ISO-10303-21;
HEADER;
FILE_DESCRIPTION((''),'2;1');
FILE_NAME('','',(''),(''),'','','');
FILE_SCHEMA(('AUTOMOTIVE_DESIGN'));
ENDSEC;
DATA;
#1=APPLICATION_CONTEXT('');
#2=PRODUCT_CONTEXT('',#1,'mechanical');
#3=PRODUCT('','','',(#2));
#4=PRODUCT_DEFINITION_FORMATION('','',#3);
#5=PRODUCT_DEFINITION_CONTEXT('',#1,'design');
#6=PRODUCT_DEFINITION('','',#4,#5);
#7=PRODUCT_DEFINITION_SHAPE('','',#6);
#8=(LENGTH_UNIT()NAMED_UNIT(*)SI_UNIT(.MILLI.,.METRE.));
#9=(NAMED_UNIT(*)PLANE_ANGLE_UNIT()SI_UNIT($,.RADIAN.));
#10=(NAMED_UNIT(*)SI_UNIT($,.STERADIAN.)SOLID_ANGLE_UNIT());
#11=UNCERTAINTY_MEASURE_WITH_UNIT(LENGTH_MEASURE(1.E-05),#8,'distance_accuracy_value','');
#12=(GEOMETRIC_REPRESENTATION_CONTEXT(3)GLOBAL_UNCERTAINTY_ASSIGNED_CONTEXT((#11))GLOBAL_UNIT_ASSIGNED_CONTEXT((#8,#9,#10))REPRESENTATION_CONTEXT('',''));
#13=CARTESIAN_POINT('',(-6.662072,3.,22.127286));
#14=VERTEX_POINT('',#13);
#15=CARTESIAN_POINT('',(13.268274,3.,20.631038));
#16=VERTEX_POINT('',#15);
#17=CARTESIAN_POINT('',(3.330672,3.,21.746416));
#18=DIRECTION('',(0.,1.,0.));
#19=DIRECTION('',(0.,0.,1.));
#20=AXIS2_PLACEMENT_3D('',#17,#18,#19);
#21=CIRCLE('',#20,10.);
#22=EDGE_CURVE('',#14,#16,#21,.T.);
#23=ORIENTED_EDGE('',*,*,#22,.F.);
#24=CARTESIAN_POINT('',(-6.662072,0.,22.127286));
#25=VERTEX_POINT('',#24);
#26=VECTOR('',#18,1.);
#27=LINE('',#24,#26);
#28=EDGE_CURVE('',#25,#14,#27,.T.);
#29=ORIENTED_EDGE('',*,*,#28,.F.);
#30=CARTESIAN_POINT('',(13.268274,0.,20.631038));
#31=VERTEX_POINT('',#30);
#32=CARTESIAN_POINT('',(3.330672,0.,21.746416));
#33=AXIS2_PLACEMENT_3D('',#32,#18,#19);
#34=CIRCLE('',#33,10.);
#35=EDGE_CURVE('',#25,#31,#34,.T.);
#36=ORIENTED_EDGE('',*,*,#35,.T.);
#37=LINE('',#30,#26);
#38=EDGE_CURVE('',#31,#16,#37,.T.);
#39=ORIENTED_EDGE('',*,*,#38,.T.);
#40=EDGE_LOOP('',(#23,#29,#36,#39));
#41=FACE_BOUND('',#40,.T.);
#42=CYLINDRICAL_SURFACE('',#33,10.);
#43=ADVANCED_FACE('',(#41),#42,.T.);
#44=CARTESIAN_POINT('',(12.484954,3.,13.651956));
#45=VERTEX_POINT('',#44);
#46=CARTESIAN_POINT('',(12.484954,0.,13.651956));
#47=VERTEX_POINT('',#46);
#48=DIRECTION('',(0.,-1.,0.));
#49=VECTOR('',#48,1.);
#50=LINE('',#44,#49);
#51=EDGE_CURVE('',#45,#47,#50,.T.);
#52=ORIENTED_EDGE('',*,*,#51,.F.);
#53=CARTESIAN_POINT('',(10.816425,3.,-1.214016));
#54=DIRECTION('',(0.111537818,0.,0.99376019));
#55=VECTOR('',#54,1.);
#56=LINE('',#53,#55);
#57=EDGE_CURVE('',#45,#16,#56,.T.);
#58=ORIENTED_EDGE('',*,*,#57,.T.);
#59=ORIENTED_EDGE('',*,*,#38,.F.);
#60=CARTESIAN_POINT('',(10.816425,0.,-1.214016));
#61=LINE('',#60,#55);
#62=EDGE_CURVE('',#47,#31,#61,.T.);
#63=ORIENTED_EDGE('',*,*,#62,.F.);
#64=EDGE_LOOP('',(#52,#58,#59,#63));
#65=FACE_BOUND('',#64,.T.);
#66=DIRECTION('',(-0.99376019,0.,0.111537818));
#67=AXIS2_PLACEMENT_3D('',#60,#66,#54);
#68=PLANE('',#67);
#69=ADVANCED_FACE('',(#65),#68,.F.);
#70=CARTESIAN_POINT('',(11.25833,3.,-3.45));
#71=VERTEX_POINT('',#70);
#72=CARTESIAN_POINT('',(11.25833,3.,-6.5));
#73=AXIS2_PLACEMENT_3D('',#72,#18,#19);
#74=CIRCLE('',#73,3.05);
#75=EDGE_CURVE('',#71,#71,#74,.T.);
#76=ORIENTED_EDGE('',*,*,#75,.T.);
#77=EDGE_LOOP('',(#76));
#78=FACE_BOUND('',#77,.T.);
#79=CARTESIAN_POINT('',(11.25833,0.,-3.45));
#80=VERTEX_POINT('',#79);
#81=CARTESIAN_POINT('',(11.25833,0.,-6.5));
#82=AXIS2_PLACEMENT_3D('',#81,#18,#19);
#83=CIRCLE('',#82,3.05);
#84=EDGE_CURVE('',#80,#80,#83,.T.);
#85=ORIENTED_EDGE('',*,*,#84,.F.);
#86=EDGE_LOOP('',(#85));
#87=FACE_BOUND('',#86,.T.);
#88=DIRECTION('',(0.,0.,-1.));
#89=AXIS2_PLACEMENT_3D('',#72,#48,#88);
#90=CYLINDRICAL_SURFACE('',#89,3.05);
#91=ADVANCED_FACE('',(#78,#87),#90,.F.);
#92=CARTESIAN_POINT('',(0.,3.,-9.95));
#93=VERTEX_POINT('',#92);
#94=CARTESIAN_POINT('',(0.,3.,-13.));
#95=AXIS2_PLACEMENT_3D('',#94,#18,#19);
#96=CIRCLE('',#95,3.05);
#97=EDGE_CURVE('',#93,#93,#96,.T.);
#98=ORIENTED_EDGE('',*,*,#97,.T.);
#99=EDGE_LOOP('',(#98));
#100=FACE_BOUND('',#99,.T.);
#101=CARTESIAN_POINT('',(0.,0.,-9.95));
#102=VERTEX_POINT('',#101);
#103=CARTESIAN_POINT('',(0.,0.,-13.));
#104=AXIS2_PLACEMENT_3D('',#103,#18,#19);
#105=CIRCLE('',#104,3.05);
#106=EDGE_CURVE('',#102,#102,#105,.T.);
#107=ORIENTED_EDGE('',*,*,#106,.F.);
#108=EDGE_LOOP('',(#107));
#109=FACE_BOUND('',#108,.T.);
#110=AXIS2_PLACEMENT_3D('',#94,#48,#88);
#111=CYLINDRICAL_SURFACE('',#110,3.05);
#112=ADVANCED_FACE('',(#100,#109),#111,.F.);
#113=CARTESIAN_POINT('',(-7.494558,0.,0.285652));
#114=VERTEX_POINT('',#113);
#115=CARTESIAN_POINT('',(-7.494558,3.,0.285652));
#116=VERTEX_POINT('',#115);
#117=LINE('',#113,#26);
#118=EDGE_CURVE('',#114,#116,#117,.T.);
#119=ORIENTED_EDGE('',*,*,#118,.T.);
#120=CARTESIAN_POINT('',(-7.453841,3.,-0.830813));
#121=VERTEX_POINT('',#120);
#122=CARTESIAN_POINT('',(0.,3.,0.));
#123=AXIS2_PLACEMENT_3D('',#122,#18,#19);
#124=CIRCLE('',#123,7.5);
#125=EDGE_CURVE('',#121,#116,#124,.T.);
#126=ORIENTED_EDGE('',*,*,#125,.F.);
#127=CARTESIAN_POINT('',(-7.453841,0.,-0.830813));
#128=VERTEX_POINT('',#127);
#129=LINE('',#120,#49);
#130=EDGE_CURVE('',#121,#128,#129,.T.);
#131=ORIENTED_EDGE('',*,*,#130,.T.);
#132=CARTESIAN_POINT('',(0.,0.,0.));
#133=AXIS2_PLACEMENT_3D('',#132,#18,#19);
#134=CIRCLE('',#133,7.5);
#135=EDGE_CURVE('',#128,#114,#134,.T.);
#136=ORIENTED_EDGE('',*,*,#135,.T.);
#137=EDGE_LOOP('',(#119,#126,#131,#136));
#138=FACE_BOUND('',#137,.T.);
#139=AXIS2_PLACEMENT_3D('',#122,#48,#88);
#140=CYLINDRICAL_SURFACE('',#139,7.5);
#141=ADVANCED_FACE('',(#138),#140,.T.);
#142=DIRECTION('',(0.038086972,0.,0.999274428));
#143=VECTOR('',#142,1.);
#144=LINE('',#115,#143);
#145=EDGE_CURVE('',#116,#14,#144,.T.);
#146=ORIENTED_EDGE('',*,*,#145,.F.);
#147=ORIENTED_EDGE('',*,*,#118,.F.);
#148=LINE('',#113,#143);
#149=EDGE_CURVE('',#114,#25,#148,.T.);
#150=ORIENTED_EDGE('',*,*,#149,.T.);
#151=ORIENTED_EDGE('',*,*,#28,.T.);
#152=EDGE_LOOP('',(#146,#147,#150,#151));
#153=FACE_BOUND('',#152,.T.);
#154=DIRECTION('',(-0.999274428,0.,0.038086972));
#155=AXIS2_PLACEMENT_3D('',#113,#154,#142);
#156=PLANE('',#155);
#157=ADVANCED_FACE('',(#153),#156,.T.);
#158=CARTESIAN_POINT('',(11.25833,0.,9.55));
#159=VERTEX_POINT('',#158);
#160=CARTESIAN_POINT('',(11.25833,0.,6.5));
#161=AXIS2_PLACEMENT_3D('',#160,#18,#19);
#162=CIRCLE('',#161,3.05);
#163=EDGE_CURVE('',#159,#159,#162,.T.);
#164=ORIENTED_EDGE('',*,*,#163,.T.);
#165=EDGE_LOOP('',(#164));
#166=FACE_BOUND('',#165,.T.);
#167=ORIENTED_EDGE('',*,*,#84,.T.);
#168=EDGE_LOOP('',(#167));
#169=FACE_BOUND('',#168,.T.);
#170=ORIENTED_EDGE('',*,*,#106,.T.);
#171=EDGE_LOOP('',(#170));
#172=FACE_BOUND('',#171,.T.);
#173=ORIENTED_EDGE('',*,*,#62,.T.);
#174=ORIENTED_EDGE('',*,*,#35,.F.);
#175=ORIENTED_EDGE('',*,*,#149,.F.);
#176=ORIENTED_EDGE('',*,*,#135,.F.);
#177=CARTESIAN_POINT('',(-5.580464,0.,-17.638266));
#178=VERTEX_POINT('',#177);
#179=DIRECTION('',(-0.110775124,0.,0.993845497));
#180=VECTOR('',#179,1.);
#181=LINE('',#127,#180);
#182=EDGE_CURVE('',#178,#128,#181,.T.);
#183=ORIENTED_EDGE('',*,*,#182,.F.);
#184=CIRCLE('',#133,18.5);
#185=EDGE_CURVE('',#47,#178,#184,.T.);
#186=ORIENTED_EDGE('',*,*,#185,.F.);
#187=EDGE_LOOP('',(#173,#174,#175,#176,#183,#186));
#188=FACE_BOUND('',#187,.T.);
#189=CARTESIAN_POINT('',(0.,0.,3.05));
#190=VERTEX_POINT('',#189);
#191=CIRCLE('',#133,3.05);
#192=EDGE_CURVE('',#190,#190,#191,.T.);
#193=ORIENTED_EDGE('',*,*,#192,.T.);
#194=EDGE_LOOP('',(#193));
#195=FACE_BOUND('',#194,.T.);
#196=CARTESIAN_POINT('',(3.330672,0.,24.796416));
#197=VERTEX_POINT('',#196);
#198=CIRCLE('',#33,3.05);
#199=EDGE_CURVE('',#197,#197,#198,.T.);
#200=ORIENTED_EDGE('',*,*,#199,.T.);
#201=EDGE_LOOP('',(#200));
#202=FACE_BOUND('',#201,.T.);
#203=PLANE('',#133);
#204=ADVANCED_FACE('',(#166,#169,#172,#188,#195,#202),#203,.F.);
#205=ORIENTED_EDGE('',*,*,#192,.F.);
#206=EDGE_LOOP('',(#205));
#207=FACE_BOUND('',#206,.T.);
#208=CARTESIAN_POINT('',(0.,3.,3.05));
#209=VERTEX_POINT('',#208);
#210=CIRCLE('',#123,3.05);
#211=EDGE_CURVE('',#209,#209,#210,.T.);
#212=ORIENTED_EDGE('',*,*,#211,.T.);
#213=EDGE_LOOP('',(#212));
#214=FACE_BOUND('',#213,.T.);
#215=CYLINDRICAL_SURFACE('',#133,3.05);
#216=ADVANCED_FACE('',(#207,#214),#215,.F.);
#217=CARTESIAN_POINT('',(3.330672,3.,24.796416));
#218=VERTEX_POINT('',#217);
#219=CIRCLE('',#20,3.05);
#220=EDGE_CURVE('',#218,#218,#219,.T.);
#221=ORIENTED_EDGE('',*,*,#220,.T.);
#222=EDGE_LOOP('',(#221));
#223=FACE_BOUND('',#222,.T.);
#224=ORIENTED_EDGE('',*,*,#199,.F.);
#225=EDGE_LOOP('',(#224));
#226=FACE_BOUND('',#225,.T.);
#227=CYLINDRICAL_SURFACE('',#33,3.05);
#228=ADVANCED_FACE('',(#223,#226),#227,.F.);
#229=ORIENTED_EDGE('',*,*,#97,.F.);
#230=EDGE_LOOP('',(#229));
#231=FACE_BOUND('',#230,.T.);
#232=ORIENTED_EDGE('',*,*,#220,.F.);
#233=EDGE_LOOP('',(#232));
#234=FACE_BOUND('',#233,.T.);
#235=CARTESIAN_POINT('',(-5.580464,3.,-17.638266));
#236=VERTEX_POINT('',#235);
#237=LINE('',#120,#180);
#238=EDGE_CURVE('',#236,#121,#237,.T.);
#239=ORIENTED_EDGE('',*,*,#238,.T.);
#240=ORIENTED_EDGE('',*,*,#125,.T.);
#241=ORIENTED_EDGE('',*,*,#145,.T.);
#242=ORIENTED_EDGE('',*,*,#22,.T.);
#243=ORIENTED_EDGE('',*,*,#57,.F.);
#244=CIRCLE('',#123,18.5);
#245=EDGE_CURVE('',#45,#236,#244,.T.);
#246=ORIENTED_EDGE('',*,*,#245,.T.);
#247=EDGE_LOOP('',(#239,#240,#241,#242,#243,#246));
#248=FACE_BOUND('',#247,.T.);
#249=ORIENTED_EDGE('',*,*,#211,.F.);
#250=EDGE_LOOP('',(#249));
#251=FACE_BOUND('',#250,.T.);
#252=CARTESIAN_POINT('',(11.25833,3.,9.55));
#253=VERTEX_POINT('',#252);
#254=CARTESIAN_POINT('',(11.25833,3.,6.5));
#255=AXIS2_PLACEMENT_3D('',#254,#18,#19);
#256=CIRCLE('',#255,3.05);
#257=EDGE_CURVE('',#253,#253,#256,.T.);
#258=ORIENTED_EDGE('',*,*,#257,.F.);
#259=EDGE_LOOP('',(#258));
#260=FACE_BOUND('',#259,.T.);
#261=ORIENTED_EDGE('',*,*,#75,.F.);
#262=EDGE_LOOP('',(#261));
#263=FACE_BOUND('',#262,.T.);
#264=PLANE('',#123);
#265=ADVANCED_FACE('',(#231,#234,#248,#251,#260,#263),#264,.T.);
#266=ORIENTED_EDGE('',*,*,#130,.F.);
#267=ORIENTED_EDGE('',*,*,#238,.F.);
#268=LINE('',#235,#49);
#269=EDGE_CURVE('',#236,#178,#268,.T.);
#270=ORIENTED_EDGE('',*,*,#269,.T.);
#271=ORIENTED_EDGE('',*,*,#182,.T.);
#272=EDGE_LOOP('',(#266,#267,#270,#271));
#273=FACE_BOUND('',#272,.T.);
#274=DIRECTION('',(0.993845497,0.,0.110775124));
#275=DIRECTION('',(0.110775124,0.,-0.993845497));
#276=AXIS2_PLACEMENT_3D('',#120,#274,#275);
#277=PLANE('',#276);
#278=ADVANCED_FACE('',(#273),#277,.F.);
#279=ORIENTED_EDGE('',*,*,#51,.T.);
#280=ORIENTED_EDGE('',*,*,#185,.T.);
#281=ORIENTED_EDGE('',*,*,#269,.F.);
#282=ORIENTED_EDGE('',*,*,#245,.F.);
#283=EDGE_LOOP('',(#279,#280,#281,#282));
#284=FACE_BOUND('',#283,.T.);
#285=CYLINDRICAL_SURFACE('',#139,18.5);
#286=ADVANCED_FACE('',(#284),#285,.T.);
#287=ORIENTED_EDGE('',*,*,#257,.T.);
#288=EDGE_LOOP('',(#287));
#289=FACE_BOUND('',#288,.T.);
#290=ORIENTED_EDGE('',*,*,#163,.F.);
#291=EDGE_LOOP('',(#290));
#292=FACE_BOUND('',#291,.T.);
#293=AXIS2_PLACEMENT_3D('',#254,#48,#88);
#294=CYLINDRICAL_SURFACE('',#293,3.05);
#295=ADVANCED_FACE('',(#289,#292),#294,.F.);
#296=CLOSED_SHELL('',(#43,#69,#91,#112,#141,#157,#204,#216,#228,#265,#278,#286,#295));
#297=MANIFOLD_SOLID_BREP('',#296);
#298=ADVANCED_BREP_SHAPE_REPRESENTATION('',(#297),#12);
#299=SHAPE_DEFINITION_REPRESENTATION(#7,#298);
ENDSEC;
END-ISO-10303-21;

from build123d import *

# Parameters (mm, degrees)
SKETCH_1_R          = 7.5
SKETCH_1_R_2        = 3.05
EXTRUDE_1_DEPTH     = 3
SKETCH_2_R          = 3.05
EXTRUDE_2_DEPTH     = 3
SKETCH_3_R          = 3.05
CUT_EXTRUDE_1_DEPTH = 37.865769394


with BuildPart() as part:
    # 草图1 → 凸台-拉伸1 (new body)
    # profile 1 of 2: a face of its own
    with BuildSketch(Plane(origin=(0, 0, 0), x_dir=(1, 0, 0), z_dir=(0, 1, 0))):
        Circle(SKETCH_1_R)
    # profile 2 of 2: a face of its own
    with BuildSketch(Plane(origin=(0, 0, 0), x_dir=(1, 0, 0), z_dir=(0, 1, 0))):
        with BuildLine():
            ThreePointArc((18.5, 0), (10.931866676, 14.924620296), (-5.58046389, 17.638265866))
            Line((-5.58046389, 17.638265866), (-7.453841227, 0.830813432))
            ThreePointArc((-7.453841227, 0.830813432), (0.41604735, 7.488451416), (7.5, 0))
            ThreePointArc((7.5, 0), (4.104533282, -6.277165486), (-3.007415076, -6.870622574))
            Line((-3.007415076, -6.870622574), (12.484954374, -13.651956427))
            ThreePointArc((12.484954374, -13.651956427), (16.9295844, -7.45916698), (18.5, 0))
        make_face()
        with Locations(Location((11.258330249, -6.5, 0), (0, 0, 270))):
            Circle(SKETCH_1_R_2, mode=Mode.SUBTRACT)
        with Locations(Location((11.258330249, 6.5, 0), (0, 0, 270))):
            Circle(SKETCH_1_R_2, mode=Mode.SUBTRACT)
        with Locations(Location((0, 13, 0), (0, 0, 270))):
            Circle(SKETCH_1_R_2, mode=Mode.SUBTRACT)
    extrude(amount=EXTRUDE_1_DEPTH)

    # 草图2 → 凸台-拉伸2 (add, through all)
    with BuildSketch(Plane(origin=(0, 3, 0), x_dir=(1, 0, 0), z_dir=(0, 1, 0))):
        with BuildLine():
            ThreePointArc((-3.007415076, -6.870622574), (-6.197847944, -4.223349483), (-7.49455821, -0.285652289))
            Line((-7.49455821, -0.285652289), (-6.662072489, -22.1272861))
            ThreePointArc((-6.662072489, -22.1272861), (4.07930362, -31.718354527), (13.268273691, -20.6310382))
            Line((13.268273691, -20.6310382), (12.484954374, -13.651956427))
            Line((12.484954374, -13.651956427), (-3.007415076, -6.870622574))
        make_face()
        with Locations(Location((3.330671791, -21.746416381, 0), (0, 0, 270))):
            Circle(SKETCH_2_R, mode=Mode.SUBTRACT)
    extrude(amount=-EXTRUDE_2_DEPTH)

    # 草图3 → 切除-拉伸1 (cut, through all)
    with BuildSketch(Plane(origin=(0, 3, 0), x_dir=(1, 0, 0), z_dir=(0, 1, 0))):
        with Locations(Location((0, 0, 0), (0, 0, 270))):
            Circle(SKETCH_3_R)
    extrude(amount=-CUT_EXTRUDE_1_DEPTH, mode=Mode.SUBTRACT)


solid = part.part
